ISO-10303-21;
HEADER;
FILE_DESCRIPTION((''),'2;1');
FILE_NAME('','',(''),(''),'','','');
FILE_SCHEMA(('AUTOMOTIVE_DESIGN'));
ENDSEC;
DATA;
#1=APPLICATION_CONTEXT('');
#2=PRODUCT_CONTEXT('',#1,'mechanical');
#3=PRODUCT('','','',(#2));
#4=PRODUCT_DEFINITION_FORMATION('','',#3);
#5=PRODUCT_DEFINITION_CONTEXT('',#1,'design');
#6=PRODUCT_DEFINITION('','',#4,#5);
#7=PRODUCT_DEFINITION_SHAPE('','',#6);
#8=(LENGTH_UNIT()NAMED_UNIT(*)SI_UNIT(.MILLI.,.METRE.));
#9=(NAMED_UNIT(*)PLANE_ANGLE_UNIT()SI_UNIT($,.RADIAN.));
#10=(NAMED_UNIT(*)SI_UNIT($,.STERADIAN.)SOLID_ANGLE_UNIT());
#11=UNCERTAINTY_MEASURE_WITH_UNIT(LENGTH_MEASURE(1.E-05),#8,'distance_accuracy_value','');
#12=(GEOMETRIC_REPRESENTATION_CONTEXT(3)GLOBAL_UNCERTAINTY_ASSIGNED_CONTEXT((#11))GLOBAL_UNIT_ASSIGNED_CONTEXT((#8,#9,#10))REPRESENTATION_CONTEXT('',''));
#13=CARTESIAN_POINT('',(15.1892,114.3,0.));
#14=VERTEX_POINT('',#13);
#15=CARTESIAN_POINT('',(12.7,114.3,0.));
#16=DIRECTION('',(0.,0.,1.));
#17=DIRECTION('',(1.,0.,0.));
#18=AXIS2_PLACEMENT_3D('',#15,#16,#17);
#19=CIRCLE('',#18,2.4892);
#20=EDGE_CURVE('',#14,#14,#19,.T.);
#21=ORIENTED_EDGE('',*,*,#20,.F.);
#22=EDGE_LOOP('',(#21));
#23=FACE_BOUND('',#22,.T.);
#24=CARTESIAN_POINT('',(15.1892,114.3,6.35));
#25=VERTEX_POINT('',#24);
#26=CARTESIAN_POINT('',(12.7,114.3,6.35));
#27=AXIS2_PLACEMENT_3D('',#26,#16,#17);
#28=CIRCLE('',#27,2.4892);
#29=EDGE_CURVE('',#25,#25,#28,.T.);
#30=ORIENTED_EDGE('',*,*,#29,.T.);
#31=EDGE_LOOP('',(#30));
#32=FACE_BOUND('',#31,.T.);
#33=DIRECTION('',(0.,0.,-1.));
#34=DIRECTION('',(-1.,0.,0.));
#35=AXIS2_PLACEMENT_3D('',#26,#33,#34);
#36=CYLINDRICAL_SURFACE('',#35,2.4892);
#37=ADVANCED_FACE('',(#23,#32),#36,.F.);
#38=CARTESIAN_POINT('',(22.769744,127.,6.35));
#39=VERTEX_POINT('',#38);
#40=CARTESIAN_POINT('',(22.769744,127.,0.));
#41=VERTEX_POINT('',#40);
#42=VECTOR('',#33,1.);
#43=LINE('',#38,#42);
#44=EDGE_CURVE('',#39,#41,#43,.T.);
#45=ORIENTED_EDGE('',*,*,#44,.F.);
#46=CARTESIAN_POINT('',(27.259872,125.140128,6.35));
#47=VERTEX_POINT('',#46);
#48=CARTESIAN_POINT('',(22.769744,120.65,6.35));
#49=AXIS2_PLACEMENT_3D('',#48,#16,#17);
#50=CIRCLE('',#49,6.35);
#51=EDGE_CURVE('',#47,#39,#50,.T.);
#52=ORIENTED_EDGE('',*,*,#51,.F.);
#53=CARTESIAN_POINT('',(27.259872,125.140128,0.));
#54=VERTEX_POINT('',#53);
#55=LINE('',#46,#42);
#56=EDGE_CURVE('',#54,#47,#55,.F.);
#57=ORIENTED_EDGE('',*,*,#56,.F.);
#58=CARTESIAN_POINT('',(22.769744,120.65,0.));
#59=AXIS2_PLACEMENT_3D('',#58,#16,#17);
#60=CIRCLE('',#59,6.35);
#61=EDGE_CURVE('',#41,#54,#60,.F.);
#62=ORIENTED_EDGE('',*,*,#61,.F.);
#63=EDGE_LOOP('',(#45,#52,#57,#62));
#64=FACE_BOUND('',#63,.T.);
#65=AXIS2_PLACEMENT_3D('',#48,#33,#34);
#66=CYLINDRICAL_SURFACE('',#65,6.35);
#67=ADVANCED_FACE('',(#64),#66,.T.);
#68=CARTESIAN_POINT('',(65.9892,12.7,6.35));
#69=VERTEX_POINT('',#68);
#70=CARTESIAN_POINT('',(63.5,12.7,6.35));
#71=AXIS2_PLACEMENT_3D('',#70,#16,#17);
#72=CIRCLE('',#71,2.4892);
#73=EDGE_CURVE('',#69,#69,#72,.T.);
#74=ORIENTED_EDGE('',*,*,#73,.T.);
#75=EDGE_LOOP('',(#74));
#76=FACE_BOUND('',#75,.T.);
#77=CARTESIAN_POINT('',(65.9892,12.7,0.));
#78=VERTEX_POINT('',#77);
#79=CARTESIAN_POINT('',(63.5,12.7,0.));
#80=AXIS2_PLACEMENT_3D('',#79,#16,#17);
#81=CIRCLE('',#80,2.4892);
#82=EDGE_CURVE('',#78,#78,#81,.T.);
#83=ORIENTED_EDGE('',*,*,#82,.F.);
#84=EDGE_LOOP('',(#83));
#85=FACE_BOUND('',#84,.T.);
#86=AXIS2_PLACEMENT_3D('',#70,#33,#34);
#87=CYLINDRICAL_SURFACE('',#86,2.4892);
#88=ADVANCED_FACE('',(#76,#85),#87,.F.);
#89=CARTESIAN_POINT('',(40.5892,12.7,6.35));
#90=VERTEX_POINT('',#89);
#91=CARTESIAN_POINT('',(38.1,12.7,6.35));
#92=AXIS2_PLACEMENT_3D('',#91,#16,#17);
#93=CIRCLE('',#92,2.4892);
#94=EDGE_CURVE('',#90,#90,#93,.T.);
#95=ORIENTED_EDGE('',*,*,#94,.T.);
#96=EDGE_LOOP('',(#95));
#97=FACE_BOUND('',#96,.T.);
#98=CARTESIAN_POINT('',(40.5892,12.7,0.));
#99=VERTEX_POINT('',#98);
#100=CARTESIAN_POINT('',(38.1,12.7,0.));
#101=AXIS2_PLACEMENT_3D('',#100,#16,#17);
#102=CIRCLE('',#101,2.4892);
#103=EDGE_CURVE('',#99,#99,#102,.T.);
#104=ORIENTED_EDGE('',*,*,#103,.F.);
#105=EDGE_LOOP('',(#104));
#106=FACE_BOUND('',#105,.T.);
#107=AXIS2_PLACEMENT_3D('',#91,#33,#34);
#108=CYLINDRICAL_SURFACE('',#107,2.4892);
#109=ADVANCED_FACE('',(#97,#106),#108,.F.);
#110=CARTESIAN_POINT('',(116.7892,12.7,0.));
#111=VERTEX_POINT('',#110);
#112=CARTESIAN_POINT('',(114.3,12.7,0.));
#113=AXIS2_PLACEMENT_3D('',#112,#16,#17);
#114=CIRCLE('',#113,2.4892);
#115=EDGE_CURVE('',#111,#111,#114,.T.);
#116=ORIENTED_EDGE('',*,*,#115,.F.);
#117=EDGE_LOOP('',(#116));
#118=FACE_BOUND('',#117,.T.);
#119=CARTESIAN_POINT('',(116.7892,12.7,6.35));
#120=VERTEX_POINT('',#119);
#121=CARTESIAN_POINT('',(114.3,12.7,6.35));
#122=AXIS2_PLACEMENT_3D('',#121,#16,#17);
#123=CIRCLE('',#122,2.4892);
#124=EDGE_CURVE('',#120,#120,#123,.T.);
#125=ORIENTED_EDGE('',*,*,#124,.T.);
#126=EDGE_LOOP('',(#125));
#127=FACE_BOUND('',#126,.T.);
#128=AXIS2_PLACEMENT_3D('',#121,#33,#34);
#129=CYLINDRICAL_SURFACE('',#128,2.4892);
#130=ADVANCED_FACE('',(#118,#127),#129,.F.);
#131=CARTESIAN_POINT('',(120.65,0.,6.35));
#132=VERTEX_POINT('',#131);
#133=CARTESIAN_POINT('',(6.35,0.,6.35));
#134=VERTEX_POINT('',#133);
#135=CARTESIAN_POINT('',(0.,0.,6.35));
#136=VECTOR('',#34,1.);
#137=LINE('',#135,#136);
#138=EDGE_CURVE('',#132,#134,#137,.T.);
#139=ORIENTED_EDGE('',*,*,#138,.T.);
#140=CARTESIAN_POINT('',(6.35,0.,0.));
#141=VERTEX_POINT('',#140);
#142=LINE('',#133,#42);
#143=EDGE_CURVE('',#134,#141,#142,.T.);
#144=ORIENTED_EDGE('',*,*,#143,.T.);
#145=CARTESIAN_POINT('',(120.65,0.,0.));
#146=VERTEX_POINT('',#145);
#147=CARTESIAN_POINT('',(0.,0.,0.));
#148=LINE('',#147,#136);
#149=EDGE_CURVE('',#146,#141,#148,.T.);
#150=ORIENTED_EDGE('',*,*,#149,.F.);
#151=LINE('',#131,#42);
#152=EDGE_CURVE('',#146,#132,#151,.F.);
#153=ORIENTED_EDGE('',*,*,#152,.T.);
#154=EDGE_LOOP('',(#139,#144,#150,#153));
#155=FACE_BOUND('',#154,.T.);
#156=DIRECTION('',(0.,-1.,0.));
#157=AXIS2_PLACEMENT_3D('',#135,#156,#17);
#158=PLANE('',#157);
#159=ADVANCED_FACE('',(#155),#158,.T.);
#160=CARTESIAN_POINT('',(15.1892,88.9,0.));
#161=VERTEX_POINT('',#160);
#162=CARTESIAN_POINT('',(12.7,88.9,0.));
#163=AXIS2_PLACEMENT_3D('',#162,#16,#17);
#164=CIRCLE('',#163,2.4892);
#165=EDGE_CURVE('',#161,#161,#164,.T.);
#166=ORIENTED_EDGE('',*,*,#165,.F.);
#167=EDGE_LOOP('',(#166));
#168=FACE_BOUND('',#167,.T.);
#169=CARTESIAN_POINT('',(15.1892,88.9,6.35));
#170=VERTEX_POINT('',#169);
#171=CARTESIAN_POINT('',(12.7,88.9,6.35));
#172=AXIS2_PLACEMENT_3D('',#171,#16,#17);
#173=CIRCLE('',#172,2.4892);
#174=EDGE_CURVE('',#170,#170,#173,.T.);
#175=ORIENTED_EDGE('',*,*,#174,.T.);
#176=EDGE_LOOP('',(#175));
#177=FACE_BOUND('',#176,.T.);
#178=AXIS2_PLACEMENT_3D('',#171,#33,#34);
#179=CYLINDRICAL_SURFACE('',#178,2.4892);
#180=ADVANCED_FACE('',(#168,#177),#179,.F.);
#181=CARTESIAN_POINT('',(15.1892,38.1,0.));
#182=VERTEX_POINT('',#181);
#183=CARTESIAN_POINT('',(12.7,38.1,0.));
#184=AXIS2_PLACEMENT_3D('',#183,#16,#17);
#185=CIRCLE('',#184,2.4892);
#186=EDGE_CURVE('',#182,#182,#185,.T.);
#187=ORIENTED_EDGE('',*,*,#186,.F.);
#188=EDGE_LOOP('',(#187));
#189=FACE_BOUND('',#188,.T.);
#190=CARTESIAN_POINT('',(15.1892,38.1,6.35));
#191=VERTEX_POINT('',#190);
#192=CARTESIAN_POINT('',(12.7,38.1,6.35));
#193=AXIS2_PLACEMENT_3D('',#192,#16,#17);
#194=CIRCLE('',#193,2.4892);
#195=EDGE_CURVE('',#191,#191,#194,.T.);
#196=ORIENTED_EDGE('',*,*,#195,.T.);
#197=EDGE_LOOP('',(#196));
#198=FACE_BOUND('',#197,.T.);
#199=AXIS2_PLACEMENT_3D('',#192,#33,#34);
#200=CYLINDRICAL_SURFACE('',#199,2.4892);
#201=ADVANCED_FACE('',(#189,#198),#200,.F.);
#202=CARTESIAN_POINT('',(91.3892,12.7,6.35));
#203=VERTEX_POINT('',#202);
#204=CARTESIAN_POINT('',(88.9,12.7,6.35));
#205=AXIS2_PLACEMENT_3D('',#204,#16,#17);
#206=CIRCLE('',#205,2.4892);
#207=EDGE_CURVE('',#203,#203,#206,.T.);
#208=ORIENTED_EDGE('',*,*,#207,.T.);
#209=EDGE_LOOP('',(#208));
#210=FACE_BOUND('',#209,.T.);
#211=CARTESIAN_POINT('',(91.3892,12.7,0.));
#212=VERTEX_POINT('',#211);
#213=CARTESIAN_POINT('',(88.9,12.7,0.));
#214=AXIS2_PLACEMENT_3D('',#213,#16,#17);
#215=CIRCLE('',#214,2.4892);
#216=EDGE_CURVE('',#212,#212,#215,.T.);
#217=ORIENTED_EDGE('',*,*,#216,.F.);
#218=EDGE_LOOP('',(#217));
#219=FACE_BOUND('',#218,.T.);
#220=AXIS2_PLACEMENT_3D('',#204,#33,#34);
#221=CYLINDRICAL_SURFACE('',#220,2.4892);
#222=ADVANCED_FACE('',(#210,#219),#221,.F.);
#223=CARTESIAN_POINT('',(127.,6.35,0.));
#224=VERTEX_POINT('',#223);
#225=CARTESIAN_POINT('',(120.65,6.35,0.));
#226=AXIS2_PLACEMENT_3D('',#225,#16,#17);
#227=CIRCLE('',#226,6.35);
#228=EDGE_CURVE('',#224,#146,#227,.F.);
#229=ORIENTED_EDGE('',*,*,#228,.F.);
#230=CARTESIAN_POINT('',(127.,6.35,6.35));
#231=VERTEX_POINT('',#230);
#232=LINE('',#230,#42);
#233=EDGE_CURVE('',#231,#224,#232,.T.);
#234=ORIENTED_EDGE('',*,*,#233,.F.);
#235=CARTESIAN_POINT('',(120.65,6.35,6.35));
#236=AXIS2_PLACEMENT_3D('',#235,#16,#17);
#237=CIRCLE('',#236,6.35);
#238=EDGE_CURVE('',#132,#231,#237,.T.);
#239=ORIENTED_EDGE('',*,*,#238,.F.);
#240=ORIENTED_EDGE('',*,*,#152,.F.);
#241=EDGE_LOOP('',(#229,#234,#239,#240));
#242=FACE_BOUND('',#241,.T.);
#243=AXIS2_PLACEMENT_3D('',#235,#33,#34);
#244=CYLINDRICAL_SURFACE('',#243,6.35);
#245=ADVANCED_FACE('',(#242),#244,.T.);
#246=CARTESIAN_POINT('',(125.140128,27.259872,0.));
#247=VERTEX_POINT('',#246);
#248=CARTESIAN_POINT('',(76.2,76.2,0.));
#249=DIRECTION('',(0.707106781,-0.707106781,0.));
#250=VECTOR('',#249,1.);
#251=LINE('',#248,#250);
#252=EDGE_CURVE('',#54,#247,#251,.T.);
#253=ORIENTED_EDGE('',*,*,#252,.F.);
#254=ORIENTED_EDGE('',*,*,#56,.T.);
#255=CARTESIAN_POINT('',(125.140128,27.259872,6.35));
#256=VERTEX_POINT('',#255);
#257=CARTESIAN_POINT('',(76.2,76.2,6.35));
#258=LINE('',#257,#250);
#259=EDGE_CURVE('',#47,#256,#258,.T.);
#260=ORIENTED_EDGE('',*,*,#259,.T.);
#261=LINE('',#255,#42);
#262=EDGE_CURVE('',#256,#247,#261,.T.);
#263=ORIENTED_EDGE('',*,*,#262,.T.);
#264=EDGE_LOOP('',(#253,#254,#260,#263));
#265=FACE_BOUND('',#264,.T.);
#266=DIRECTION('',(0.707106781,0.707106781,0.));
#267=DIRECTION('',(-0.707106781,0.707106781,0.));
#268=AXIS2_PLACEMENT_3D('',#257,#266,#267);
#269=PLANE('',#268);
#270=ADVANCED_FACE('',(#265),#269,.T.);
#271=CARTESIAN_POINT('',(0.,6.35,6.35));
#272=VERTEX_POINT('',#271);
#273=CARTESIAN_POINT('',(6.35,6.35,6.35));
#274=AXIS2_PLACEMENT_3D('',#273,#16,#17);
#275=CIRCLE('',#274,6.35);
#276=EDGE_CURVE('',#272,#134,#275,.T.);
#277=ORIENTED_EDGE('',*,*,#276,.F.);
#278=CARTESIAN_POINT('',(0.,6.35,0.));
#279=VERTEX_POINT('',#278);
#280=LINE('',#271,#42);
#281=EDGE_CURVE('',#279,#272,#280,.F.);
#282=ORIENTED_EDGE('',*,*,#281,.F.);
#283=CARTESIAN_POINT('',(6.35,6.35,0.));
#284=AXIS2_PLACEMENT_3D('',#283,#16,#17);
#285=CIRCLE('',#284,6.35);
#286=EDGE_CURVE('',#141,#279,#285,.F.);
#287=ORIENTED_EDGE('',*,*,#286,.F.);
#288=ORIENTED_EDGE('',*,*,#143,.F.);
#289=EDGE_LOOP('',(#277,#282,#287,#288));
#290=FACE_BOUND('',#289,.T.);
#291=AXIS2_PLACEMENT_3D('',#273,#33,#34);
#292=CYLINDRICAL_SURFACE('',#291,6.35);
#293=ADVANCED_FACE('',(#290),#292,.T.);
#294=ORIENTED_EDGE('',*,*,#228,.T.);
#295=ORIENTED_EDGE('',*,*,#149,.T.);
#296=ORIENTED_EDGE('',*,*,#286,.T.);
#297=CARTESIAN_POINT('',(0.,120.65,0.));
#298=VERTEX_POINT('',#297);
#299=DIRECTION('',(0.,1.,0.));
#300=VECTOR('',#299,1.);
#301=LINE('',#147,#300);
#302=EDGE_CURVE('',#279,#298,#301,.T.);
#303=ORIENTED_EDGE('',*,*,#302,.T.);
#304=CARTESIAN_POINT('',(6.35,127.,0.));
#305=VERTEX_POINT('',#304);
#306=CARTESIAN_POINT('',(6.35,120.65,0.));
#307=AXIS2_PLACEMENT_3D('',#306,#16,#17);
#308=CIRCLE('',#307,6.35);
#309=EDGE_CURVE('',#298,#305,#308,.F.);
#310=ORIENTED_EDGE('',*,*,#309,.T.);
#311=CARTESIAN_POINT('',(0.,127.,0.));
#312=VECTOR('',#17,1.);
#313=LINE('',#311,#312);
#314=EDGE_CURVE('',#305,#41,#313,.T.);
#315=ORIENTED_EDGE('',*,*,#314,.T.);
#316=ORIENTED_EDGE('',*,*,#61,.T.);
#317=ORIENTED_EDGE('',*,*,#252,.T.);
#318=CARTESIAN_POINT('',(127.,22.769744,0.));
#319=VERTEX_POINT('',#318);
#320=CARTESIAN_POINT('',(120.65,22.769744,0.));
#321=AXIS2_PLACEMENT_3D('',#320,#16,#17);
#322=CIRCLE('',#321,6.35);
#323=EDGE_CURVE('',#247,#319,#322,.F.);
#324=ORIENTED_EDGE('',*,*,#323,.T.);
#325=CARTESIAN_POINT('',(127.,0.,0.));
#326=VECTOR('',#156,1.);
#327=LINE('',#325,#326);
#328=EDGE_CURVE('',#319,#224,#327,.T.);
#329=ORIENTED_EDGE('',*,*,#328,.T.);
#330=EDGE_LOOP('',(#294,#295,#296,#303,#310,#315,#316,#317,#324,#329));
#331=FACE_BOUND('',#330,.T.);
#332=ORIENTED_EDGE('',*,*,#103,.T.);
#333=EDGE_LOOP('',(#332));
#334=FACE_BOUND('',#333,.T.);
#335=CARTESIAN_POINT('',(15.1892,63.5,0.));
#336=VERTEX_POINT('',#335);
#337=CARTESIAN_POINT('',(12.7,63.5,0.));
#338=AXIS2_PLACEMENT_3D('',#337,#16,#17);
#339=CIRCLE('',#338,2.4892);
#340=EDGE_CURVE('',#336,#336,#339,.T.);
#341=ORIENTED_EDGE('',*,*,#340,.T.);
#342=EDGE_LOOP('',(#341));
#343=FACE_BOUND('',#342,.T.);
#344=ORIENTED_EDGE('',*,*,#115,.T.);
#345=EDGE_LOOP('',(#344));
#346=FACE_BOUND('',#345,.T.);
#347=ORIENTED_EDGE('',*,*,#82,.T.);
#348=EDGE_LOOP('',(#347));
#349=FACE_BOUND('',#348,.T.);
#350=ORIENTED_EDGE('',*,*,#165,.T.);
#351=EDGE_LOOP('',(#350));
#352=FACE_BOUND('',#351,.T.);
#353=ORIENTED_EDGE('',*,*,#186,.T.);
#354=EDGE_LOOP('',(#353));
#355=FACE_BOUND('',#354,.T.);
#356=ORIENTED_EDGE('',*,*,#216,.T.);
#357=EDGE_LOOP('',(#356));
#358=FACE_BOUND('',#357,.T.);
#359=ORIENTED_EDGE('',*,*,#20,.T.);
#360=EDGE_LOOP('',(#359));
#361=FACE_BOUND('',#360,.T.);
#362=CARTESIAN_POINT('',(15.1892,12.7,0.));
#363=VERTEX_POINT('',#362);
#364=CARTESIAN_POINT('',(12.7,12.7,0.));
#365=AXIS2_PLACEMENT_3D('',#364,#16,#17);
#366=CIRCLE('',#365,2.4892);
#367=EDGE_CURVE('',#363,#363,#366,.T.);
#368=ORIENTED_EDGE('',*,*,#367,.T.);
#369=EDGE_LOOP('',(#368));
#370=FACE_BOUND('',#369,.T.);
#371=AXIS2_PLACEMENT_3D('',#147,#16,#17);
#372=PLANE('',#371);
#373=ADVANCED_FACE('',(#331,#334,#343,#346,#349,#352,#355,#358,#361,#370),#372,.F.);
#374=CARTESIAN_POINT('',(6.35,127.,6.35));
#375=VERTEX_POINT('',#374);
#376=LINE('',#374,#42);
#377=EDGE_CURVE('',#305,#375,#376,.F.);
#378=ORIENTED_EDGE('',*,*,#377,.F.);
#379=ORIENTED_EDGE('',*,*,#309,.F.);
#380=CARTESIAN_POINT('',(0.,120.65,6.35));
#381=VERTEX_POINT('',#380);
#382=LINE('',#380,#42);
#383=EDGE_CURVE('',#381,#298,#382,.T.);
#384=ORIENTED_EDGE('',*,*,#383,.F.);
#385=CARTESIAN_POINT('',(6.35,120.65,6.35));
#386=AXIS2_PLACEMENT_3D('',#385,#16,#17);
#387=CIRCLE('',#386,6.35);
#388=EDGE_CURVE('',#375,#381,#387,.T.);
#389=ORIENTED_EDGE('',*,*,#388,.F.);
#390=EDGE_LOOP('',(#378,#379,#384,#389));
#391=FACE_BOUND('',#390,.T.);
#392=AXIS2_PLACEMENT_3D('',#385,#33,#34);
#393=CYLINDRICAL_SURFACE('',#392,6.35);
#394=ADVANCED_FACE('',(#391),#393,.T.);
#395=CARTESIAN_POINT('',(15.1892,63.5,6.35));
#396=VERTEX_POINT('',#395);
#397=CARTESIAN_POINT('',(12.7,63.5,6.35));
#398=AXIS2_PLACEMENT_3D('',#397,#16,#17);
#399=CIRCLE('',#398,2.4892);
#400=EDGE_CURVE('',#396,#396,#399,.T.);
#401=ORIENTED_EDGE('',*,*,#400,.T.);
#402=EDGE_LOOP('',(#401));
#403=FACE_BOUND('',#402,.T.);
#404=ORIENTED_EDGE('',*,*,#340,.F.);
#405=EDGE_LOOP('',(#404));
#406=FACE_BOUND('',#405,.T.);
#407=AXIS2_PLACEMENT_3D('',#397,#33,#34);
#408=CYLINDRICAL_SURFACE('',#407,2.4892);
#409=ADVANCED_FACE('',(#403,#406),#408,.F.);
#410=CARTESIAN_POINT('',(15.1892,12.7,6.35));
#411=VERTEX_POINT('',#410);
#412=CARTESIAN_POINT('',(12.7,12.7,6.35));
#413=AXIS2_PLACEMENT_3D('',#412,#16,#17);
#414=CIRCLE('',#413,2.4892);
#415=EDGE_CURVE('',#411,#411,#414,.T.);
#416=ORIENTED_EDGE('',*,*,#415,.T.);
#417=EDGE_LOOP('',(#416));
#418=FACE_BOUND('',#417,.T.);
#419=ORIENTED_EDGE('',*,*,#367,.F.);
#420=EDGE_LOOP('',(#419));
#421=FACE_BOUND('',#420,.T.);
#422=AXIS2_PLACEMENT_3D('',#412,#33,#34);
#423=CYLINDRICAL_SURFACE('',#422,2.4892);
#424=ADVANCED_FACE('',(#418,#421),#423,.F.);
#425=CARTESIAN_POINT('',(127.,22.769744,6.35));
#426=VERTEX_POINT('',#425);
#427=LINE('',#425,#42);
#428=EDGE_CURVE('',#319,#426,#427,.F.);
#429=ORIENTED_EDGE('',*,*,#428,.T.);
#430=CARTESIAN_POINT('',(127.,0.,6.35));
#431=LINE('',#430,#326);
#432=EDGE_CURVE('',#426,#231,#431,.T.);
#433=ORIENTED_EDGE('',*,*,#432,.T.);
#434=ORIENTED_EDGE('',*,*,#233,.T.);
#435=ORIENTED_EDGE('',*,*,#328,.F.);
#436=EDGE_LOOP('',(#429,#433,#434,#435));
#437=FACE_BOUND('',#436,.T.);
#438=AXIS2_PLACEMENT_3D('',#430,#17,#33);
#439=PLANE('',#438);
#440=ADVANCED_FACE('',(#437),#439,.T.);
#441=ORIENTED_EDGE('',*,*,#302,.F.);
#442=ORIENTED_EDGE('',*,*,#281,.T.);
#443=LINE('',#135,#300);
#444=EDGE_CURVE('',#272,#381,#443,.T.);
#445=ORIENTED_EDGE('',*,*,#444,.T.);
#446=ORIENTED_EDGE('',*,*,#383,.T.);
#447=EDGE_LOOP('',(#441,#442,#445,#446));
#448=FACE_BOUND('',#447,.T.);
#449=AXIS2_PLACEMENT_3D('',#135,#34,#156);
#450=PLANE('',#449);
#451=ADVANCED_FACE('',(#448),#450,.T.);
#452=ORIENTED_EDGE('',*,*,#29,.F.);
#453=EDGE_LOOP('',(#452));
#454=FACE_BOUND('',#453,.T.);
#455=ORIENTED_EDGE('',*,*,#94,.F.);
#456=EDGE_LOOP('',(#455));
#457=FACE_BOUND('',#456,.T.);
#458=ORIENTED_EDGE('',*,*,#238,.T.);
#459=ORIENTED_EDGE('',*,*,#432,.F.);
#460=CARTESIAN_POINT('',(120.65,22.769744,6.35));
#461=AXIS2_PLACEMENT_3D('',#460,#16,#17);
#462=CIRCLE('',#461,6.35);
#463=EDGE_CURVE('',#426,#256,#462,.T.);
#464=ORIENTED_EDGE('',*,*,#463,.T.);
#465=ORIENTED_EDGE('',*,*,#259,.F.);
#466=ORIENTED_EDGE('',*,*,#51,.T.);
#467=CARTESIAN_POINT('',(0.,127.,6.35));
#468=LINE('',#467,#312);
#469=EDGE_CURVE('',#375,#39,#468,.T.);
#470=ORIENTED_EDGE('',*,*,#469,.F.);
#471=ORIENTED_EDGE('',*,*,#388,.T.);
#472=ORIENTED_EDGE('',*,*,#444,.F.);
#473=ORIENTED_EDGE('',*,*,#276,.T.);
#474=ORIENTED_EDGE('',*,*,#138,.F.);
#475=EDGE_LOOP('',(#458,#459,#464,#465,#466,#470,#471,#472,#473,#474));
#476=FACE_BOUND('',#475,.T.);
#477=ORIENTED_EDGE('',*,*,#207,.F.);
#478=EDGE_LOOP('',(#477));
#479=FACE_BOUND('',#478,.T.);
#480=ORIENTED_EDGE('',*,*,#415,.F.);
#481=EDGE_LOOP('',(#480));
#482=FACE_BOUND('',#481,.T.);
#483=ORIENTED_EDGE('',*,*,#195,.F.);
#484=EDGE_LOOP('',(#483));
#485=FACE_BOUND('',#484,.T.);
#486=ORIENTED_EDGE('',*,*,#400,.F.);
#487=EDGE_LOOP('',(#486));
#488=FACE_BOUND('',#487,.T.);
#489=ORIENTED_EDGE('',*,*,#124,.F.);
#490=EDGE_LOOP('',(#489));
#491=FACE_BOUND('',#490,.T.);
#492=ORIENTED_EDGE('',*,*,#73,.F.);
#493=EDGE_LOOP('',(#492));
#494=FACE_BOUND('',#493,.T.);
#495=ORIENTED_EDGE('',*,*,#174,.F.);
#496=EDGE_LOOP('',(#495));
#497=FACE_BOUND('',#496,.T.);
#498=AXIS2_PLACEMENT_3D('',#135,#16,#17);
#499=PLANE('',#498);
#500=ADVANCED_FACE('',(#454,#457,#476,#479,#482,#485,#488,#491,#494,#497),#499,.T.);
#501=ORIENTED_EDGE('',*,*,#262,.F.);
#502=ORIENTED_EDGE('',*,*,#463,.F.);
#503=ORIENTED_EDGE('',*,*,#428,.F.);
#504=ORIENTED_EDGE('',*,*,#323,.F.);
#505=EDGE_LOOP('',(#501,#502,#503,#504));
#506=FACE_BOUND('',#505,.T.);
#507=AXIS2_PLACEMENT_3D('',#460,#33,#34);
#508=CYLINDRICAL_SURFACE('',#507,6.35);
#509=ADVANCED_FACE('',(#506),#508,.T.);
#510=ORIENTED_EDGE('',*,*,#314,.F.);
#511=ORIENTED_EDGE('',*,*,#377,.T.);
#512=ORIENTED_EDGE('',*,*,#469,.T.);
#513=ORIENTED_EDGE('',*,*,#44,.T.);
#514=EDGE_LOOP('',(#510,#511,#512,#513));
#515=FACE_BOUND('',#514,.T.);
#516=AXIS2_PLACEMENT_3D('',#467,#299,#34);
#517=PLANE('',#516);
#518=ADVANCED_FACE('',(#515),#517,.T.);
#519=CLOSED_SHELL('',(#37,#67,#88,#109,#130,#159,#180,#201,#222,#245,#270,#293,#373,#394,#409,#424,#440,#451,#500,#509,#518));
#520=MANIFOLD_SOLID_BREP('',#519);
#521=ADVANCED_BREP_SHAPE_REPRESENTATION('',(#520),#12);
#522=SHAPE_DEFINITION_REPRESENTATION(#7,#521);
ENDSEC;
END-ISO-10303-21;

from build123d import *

# Parameters (mm, degrees)
SKETCH1_R           = 2.4892
BOSS_EXTRUDE1_DEPTH = 6.35
FILLET1_R           = 6.35


with BuildPart() as part:
    # Sketch1 → Boss-Extrude1 (new body)
    with BuildSketch(Plane.XY):
        Polygon((0, 0), (0, 127), (25.4, 127), (127, 25.4), (127, 0), align=None)
        with Locations((12.7, 12.7)):
            Circle(SKETCH1_R, mode=Mode.SUBTRACT)
        with Locations((38.1, 12.7)):
            Circle(SKETCH1_R, mode=Mode.SUBTRACT)
        with Locations((63.5, 12.7)):
            Circle(SKETCH1_R, mode=Mode.SUBTRACT)
        with Locations((12.7, 38.1)):
            Circle(SKETCH1_R, mode=Mode.SUBTRACT)
        with Locations((12.7, 63.5)):
            Circle(SKETCH1_R, mode=Mode.SUBTRACT)
        with Locations((12.7, 88.9)):
            Circle(SKETCH1_R, mode=Mode.SUBTRACT)
        with Locations((12.7, 114.3)):
            Circle(SKETCH1_R, mode=Mode.SUBTRACT)
        with Locations((88.9, 12.7)):
            Circle(SKETCH1_R, mode=Mode.SUBTRACT)
        with Locations((114.3, 12.7)):
            Circle(SKETCH1_R, mode=Mode.SUBTRACT)
    extrude(amount=BOSS_EXTRUDE1_DEPTH)

    # Fillet1
    fillet1_edges = [part.edges().sort_by_distance(p)[0] for p in [
        (127, 0, 3.175),
        (0, 0, 3.175),
        (0, 127, 3.175),
        (25.4, 127, 3.175),
        (127, 25.4, 3.175),
    ]]
    fillet(fillet1_edges, radius=FILLET1_R)


solid = part.part
